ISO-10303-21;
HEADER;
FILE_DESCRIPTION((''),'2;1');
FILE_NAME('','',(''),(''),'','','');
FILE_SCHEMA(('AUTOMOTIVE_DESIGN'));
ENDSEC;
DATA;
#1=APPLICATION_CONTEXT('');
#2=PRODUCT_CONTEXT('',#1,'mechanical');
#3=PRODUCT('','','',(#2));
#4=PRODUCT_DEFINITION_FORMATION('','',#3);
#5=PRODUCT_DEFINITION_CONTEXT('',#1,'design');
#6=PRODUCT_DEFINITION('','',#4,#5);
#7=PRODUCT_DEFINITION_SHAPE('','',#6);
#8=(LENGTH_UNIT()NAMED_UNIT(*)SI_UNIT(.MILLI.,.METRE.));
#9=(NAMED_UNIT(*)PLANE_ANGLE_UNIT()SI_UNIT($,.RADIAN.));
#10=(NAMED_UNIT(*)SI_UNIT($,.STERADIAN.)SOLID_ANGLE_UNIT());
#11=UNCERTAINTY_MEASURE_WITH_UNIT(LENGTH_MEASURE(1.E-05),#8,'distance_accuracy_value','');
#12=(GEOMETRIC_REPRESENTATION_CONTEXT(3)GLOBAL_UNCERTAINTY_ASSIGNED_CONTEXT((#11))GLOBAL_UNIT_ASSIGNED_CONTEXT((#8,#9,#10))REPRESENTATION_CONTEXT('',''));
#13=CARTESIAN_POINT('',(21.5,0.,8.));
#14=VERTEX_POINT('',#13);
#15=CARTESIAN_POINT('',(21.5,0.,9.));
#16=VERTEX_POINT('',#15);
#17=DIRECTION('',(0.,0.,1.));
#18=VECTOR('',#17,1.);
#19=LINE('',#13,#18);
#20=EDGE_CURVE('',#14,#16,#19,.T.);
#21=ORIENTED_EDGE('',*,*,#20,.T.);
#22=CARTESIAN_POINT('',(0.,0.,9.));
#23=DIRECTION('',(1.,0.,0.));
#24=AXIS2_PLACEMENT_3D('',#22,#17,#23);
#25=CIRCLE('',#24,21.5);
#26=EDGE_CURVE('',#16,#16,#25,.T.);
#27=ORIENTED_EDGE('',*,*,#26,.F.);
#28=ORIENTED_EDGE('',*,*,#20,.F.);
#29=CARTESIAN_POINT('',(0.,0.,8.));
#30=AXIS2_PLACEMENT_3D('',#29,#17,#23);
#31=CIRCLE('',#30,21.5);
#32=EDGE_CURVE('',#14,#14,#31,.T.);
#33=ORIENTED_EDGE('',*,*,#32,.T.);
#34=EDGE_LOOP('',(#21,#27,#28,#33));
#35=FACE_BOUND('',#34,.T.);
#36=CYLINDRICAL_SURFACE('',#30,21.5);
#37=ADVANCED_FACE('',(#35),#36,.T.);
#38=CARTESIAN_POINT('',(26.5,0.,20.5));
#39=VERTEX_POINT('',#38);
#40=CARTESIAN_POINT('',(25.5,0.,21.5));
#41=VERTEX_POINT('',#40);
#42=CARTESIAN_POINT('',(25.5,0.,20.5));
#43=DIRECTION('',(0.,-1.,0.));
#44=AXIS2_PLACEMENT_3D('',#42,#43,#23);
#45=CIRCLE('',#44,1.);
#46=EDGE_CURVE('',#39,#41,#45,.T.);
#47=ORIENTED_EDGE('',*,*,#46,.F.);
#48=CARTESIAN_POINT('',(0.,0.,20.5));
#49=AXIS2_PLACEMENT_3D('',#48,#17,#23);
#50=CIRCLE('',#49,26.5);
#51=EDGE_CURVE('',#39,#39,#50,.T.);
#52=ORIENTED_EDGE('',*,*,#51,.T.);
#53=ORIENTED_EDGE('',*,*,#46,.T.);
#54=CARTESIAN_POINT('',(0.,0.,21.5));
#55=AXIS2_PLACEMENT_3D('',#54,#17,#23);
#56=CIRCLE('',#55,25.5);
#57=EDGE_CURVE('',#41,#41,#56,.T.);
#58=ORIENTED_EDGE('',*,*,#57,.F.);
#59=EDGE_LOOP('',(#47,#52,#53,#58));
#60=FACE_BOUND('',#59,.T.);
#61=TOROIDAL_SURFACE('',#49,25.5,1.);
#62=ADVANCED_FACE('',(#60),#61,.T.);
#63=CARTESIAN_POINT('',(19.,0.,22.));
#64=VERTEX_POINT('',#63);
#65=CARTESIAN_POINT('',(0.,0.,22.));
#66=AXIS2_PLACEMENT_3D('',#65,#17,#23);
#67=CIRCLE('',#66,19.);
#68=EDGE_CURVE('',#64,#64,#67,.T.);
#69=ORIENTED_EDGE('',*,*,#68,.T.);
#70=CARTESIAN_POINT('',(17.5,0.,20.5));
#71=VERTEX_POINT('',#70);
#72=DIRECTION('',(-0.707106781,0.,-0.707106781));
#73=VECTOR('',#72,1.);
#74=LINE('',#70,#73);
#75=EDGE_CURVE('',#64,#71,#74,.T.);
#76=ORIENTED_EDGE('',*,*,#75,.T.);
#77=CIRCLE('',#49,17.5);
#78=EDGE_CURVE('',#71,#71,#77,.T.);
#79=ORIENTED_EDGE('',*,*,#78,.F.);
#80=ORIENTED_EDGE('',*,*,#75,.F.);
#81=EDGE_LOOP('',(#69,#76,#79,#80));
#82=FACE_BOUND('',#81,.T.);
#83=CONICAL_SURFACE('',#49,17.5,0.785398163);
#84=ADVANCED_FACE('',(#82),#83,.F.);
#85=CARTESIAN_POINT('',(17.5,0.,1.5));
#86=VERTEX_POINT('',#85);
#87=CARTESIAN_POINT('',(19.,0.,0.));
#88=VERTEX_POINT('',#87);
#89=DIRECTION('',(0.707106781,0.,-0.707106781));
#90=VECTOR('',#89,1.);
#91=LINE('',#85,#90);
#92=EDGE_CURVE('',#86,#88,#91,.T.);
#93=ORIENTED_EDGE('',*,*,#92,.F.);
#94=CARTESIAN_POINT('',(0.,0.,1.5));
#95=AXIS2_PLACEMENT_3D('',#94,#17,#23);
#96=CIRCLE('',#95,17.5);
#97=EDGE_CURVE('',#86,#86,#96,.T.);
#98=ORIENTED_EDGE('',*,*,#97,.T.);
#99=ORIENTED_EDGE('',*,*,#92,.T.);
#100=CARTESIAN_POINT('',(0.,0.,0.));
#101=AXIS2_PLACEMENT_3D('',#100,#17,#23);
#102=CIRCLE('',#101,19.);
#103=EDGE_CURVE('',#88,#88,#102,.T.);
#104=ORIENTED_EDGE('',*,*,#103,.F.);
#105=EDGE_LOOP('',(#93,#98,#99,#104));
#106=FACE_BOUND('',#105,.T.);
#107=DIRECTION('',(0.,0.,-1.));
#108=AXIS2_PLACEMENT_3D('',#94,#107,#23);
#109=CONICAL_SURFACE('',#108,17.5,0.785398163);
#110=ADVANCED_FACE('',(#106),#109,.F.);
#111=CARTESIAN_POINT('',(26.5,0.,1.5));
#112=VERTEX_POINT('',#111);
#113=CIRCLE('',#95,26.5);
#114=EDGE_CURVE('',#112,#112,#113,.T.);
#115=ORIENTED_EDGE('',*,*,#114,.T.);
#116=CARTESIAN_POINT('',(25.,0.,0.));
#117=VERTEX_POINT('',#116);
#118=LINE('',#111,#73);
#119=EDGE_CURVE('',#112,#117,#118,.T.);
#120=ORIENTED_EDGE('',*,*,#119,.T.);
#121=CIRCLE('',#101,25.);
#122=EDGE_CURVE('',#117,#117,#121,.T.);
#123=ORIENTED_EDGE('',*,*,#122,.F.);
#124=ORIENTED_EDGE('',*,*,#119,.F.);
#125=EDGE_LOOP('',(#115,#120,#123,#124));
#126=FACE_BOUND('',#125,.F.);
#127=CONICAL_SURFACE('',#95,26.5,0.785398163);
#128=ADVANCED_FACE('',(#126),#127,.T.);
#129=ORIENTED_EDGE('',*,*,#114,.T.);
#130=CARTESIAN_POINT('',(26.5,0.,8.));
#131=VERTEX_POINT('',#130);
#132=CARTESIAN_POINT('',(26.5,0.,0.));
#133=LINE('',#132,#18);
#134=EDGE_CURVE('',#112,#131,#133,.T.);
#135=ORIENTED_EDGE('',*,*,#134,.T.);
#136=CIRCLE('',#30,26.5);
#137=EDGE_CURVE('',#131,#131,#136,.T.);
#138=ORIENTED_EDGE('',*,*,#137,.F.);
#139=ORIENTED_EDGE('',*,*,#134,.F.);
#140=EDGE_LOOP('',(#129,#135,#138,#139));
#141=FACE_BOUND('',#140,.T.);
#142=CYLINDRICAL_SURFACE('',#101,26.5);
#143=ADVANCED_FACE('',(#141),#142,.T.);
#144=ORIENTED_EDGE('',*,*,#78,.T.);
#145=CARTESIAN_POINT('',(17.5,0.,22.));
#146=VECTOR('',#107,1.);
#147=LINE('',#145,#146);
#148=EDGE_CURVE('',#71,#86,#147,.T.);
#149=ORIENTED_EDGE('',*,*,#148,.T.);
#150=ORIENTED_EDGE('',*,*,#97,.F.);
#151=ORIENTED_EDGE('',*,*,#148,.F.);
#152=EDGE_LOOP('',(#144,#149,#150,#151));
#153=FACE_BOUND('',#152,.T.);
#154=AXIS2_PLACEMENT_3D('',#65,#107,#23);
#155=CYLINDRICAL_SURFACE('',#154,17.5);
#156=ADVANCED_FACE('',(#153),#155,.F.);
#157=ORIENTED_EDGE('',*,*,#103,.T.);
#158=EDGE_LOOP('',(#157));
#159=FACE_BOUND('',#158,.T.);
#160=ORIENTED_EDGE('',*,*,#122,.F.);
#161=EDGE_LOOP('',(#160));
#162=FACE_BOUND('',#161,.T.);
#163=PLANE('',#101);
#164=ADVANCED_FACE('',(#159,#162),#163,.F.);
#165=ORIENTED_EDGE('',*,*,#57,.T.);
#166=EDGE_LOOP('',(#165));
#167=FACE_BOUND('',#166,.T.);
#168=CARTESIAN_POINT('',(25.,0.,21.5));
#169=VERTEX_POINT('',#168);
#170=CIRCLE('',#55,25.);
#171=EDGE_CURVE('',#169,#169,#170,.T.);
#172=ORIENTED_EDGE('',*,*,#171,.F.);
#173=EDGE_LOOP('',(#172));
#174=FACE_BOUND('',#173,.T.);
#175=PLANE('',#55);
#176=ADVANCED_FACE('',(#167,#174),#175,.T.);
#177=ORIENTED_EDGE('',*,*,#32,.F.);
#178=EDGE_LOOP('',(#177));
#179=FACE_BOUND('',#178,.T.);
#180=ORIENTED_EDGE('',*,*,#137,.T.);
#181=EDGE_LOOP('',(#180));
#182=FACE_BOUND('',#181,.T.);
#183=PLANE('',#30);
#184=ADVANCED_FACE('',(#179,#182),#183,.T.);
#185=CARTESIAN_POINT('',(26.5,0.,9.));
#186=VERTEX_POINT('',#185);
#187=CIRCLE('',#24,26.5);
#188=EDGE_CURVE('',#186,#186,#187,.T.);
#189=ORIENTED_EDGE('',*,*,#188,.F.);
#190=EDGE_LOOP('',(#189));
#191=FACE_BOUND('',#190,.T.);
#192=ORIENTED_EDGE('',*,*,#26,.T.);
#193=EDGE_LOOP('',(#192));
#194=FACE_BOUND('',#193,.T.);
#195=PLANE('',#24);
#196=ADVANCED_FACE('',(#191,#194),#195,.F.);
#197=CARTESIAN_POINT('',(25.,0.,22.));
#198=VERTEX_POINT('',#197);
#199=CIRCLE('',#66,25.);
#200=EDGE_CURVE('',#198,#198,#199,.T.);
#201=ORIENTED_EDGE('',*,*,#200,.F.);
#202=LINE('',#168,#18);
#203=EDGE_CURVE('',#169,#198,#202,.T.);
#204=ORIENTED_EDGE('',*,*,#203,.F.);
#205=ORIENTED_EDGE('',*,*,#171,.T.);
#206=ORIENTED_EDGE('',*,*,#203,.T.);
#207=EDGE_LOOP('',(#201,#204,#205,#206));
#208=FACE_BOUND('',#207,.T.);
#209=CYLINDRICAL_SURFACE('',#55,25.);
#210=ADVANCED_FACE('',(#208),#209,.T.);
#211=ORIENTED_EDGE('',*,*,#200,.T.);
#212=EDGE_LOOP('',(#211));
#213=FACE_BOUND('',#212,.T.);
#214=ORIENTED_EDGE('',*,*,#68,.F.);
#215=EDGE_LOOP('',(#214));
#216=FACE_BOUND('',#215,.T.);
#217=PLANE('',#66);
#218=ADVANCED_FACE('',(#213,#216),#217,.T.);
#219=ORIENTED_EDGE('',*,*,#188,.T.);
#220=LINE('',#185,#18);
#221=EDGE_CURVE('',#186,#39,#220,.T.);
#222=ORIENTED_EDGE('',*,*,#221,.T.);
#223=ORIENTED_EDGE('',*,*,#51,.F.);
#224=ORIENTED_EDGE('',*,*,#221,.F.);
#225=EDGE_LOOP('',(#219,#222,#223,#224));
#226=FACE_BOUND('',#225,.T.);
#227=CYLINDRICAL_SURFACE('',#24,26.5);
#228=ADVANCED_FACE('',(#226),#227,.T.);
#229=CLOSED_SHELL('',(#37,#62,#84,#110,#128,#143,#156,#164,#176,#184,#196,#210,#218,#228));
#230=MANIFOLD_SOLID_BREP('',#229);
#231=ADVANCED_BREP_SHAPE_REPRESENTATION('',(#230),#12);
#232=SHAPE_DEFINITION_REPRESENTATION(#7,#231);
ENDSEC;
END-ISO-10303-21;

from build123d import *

# Parameters (mm, degrees)
F2_R    = 1
F3_SIZE = 1.5


with BuildPart() as f1:
    # F0 (on Front) → F1 (revolve)
    with BuildSketch(Plane.XZ):
        Polygon((17.5, 22), (17.5, 0), (26.5, 0), (26.5, 8), (21.5, 8), (21.5, 9), (26.5, 9), (26.5, 21.5), (25, 21.5), (25, 22), align=None)
    revolve(axis=Axis((0, 0, 2.07143), (0, 0, 1)))

    # F2
    f2_edges = [f1.edges().sort_by_distance(p)[0] for p in [
        (-26.5, 0, 21.5),
    ]]
    fillet(f2_edges, radius=F2_R)

    # F3
    f3_edges = [f1.edges().sort_by_distance(p)[0] for p in [
        (-26.5, 0, 0),
        (-17.5, 0, 22),
        (-17.5, 0, 0),
    ]]
    chamfer(f3_edges, length=F3_SIZE)


solid = f1.part
